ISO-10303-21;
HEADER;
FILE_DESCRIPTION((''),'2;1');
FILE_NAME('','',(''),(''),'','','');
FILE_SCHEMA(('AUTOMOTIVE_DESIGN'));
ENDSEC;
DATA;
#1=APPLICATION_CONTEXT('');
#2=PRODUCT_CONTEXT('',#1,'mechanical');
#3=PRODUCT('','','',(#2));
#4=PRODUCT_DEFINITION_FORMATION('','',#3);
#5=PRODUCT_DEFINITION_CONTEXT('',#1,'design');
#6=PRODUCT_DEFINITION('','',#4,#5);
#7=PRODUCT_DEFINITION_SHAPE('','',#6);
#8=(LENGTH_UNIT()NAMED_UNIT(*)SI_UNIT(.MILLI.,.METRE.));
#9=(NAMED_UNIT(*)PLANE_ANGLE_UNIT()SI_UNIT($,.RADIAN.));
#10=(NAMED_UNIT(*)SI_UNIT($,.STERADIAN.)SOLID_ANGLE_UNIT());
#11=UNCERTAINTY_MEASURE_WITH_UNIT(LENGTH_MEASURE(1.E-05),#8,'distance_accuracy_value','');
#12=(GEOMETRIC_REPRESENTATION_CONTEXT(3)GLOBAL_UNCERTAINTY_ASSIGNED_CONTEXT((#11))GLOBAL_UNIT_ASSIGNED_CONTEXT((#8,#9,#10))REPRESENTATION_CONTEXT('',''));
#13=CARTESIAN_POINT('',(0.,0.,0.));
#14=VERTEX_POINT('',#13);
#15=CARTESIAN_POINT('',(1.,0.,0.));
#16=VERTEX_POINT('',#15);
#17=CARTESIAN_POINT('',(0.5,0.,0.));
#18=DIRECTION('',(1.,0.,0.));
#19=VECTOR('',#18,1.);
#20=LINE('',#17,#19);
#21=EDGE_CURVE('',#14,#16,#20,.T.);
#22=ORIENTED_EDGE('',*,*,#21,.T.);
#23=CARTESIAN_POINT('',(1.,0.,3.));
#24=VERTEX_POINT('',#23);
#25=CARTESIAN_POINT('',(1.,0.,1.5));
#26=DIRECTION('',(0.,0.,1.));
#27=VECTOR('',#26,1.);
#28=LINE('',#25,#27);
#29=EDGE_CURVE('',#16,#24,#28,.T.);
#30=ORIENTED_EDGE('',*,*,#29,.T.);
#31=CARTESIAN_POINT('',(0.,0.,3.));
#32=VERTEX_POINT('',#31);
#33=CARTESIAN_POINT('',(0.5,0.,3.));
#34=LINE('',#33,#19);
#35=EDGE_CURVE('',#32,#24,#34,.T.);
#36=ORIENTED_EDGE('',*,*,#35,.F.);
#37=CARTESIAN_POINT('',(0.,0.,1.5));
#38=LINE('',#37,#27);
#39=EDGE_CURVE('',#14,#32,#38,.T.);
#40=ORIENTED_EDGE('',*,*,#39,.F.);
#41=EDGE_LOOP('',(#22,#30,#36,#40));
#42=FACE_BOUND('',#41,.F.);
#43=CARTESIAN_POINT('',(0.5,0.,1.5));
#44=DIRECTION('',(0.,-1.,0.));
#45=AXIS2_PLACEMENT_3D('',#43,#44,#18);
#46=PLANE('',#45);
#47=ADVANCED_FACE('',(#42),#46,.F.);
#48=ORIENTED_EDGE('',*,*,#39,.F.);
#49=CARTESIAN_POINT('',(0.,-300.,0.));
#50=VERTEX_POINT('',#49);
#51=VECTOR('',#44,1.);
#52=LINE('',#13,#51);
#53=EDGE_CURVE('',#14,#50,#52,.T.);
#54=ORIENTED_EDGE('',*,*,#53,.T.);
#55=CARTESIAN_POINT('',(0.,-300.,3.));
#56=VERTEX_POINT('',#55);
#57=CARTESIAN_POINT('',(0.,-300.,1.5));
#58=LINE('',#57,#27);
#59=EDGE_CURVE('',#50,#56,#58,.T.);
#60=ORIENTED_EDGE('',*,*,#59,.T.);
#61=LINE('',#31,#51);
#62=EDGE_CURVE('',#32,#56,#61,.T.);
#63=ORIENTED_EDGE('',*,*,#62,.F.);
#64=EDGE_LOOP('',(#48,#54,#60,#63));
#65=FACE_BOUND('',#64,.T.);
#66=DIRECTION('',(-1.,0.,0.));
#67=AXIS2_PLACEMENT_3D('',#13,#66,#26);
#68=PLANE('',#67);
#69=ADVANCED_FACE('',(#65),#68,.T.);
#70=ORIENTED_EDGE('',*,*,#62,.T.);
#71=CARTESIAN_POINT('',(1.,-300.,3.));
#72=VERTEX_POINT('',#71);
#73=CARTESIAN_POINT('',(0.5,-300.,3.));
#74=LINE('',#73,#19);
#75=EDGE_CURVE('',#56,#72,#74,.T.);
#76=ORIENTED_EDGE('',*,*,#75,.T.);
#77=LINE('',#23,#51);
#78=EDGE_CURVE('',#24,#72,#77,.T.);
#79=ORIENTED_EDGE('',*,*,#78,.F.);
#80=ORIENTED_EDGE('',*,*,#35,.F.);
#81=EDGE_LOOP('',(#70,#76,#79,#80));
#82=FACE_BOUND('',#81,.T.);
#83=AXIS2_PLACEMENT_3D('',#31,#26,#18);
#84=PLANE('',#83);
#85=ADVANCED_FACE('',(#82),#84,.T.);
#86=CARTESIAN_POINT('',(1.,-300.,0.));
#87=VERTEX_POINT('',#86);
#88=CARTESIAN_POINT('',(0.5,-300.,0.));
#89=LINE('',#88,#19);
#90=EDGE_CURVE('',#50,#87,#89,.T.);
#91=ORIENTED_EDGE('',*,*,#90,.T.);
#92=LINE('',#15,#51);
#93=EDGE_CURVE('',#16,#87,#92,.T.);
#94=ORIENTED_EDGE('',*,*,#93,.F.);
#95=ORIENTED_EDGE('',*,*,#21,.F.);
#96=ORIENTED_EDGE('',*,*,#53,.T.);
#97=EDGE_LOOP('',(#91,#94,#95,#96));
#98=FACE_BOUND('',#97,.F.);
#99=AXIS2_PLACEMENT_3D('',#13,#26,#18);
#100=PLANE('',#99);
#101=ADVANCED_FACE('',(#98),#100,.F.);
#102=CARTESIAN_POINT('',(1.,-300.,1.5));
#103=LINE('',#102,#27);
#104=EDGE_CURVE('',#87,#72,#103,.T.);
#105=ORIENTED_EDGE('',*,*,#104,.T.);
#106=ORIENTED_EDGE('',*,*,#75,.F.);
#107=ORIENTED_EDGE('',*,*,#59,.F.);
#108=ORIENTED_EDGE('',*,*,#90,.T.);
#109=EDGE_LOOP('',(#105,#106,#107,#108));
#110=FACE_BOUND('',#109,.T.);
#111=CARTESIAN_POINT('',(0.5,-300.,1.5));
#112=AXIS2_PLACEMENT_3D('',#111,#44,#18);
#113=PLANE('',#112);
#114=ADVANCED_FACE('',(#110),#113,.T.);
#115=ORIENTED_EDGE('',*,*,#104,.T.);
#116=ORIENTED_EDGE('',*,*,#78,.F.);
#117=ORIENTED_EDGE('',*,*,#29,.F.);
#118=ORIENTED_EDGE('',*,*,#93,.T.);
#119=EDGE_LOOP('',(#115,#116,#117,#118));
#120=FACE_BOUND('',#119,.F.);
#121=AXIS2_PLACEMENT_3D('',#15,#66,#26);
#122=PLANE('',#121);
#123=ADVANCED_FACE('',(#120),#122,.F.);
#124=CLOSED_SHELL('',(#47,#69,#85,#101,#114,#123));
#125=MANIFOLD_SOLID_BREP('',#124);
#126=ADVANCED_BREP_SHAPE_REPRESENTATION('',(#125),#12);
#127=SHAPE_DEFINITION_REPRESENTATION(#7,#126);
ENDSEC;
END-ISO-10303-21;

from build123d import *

# Parameters (mm, degrees)
SKETCH_W  = 1
SKETCH_H  = 3
PAD_DEPTH = 300


with BuildPart() as part:
    # Sketch → Pad (new body)
    with BuildSketch(Plane.XZ):
        with Locations((0.5, 1.5)):
            Rectangle(SKETCH_W, SKETCH_H)
    extrude(amount=PAD_DEPTH)


solid = part.part
